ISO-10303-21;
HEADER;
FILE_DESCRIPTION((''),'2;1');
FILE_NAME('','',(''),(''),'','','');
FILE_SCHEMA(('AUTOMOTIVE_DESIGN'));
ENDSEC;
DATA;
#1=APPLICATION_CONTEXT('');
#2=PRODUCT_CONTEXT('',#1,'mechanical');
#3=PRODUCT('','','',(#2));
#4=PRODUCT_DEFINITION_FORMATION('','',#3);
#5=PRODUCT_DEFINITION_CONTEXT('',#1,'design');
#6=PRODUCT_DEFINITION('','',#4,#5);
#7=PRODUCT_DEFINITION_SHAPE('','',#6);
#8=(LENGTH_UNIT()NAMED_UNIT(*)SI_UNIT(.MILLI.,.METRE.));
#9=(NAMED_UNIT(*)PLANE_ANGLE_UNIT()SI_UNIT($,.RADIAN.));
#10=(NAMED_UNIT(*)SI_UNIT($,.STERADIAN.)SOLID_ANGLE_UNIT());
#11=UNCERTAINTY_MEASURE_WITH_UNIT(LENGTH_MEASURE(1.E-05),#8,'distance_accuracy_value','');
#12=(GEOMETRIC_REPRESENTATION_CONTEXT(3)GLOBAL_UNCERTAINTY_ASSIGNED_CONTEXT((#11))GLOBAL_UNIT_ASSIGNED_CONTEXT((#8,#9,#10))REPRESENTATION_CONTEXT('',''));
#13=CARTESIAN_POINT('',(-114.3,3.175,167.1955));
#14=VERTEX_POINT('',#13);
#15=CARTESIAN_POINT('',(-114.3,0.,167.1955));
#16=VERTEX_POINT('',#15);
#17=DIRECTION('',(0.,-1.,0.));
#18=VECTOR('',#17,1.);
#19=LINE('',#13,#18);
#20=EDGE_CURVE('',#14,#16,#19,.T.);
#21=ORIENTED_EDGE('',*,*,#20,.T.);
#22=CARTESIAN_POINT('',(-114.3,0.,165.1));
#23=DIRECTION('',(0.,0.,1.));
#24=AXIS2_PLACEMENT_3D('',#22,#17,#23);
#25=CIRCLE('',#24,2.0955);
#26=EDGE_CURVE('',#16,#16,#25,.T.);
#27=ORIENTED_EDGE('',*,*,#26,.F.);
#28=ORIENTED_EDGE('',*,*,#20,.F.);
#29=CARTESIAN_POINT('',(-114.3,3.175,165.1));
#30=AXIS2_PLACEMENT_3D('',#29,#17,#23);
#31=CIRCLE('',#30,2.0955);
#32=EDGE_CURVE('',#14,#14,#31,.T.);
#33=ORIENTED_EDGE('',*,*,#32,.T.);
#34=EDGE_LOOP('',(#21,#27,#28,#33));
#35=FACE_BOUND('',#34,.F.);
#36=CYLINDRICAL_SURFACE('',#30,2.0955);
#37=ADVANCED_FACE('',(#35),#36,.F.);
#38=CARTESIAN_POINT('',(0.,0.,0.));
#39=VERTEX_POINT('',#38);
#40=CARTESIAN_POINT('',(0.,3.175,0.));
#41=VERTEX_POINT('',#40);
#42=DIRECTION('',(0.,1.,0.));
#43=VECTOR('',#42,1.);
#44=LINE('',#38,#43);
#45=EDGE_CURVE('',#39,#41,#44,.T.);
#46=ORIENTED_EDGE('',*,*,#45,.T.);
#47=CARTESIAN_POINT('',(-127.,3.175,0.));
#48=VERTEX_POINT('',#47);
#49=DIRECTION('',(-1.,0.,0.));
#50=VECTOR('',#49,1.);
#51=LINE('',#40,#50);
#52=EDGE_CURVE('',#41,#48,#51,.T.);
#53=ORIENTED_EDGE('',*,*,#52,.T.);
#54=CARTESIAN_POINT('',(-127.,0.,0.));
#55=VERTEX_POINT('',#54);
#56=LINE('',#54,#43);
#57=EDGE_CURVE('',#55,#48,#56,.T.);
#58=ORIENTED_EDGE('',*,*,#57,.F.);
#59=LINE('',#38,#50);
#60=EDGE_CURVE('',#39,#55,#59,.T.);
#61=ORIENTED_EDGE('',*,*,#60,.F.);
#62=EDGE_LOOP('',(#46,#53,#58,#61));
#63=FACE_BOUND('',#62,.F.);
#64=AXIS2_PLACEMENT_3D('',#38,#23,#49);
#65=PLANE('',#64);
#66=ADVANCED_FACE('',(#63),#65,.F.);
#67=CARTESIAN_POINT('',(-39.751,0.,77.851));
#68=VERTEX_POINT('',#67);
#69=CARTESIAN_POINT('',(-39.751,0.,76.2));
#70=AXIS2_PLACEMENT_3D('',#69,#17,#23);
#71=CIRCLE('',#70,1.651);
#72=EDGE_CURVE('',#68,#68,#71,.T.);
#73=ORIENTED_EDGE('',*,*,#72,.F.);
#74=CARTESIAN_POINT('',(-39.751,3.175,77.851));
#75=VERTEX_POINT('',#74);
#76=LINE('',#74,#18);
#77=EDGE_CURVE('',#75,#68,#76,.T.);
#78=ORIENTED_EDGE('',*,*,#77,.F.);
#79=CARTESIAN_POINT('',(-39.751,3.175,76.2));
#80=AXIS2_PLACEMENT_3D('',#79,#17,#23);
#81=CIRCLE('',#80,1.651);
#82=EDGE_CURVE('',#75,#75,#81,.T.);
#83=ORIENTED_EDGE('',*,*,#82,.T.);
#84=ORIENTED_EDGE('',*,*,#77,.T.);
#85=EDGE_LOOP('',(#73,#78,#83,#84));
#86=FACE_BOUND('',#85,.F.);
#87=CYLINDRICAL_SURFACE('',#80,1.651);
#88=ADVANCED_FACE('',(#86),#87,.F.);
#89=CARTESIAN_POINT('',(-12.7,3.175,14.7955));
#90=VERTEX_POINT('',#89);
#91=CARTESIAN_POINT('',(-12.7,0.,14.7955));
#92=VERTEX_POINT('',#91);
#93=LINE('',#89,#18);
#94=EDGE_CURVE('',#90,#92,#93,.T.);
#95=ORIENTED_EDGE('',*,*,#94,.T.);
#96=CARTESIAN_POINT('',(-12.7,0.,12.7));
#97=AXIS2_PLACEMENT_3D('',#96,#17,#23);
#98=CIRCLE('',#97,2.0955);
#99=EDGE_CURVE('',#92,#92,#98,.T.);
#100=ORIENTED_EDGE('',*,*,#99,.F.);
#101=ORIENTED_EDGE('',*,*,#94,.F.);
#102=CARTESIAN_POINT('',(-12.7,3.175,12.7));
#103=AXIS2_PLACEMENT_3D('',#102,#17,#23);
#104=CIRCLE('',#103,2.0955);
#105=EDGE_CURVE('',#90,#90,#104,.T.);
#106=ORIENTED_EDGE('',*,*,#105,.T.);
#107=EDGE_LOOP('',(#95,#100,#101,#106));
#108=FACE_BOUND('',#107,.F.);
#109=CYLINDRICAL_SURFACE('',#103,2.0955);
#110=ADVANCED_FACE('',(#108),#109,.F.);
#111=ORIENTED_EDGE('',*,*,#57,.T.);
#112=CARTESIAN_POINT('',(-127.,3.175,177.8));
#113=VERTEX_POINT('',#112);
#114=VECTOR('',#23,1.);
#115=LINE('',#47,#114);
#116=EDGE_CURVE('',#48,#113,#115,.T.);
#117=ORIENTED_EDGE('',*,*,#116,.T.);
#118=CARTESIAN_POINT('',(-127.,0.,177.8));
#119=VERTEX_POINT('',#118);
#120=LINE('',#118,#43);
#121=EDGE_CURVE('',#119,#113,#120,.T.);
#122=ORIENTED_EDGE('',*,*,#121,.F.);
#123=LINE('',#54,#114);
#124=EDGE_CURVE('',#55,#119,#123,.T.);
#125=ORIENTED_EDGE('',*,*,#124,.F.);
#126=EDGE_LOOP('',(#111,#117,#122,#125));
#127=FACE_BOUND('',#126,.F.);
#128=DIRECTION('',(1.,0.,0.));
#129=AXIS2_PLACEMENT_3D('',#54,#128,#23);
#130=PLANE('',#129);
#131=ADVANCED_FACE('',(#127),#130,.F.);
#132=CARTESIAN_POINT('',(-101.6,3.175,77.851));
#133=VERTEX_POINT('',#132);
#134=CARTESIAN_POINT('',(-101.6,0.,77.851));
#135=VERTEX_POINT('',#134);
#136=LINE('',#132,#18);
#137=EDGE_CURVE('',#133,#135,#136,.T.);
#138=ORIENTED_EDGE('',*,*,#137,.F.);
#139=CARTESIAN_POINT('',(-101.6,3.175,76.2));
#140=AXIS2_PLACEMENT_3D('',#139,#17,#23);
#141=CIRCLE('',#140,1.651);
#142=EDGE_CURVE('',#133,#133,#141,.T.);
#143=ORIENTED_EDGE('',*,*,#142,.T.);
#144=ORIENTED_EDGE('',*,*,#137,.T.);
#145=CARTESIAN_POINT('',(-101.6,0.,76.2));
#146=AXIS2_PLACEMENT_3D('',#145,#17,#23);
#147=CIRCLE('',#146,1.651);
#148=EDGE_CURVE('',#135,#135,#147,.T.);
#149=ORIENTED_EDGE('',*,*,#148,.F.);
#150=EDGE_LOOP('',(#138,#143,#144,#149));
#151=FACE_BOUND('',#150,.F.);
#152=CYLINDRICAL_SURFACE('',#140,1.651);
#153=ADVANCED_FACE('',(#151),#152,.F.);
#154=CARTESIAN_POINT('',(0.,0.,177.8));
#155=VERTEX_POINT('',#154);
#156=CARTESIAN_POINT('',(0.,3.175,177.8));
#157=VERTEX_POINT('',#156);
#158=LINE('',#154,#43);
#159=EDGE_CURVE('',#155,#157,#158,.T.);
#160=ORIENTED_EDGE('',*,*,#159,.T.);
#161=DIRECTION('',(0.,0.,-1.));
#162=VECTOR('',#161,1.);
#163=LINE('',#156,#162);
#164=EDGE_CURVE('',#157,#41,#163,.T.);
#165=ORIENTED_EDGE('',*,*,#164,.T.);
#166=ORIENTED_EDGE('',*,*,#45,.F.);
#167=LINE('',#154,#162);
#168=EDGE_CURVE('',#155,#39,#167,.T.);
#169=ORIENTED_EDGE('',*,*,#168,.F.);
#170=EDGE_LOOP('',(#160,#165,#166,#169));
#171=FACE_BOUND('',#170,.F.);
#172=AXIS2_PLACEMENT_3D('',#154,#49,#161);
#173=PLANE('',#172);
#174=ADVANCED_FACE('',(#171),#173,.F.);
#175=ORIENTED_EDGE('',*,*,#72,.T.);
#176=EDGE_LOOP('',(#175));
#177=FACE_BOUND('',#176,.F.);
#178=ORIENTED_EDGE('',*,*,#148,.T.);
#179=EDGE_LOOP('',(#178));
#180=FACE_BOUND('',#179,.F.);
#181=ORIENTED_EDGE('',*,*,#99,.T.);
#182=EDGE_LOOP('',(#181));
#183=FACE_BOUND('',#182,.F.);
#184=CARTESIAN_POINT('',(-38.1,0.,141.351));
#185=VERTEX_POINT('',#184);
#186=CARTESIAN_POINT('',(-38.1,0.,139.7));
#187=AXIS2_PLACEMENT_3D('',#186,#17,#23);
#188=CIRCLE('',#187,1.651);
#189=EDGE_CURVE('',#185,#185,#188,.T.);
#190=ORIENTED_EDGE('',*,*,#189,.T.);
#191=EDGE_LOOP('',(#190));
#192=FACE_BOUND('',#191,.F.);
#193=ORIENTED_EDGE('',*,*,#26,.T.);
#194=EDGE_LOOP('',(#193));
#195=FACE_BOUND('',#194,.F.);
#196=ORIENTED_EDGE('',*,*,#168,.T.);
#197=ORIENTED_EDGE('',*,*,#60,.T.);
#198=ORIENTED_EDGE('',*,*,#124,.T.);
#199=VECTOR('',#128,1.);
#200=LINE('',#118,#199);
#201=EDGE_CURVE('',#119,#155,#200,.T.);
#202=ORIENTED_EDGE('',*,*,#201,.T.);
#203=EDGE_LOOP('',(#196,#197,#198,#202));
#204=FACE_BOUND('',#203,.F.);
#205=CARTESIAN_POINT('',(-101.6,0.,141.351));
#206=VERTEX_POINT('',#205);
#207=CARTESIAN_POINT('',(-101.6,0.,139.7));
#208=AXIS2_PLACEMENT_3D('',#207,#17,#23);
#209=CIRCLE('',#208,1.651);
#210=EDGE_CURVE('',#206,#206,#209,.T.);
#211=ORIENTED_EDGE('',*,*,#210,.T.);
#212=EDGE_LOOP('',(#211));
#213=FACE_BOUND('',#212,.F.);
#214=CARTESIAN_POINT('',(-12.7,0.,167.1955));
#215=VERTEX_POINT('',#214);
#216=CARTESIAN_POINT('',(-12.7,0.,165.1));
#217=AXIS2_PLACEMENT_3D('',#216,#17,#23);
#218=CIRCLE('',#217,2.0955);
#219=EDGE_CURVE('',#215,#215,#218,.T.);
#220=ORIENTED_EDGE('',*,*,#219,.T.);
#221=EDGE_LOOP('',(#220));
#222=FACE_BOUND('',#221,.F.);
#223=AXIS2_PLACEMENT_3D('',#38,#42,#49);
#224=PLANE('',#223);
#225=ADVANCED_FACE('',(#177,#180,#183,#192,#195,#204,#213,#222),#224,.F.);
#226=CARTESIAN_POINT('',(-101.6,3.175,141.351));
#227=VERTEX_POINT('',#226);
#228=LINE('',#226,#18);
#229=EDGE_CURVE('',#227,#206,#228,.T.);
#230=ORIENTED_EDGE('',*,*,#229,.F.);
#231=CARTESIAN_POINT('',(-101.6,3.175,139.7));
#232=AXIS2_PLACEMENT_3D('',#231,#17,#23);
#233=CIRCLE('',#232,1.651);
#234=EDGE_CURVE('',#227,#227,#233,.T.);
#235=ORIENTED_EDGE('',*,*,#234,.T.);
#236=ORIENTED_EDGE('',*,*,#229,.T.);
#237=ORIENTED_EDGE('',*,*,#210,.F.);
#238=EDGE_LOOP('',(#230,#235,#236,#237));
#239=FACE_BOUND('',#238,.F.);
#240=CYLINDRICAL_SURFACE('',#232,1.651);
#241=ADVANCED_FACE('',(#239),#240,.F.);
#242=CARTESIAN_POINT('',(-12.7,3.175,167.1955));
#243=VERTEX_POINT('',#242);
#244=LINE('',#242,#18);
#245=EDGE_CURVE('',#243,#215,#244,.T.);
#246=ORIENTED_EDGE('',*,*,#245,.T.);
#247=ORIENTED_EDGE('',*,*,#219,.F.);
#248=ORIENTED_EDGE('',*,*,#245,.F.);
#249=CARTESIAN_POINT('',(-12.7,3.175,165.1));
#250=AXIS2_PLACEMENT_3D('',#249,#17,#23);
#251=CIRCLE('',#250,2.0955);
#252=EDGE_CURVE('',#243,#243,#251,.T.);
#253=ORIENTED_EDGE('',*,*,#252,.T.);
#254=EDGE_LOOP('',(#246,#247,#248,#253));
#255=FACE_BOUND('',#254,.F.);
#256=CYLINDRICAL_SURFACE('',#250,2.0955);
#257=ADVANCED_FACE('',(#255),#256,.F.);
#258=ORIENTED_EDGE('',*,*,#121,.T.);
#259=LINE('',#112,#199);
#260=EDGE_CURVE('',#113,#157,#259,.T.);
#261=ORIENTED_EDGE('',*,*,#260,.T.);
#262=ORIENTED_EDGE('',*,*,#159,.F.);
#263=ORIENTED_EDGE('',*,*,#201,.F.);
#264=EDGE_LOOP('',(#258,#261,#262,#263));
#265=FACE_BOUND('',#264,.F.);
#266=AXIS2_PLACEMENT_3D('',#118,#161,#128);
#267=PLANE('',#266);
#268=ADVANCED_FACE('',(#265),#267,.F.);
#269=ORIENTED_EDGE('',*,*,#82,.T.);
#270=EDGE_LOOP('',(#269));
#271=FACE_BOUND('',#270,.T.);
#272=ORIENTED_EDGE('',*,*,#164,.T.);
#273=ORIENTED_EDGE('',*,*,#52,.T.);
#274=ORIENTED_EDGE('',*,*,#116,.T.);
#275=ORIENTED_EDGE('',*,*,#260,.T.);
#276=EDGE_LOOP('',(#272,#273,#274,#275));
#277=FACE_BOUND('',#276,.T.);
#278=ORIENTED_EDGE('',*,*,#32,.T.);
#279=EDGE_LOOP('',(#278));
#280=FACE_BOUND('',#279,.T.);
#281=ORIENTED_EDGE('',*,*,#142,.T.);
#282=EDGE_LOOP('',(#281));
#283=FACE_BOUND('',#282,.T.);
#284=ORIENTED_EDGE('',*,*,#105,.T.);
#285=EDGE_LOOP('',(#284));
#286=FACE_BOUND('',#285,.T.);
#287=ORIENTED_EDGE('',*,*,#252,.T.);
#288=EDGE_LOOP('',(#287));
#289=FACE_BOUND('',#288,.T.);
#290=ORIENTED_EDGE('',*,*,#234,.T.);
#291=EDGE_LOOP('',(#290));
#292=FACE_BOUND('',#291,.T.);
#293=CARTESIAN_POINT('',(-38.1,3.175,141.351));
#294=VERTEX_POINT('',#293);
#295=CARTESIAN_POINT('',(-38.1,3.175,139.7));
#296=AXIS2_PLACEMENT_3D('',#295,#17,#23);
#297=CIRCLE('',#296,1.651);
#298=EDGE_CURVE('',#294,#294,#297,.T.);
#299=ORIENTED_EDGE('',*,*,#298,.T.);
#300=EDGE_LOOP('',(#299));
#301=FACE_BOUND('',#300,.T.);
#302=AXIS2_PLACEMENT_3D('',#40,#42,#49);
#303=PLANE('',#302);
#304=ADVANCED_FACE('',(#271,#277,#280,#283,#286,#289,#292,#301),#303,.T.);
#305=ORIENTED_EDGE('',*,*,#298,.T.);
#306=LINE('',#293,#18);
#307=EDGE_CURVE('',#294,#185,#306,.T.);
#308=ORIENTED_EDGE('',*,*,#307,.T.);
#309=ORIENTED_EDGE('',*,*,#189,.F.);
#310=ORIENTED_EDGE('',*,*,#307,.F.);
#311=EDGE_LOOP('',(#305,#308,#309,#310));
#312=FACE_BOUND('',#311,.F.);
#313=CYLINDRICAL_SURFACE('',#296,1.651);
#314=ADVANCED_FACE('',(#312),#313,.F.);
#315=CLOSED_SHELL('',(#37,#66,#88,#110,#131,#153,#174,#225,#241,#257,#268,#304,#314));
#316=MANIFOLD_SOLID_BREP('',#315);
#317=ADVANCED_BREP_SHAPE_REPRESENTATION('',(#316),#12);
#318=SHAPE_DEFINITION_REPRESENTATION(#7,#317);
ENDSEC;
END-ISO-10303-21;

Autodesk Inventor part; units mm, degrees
ref_plane "YZ Plane" through (0, 0, 0) normal (1, 0, 0) x (0, 1, 0)
ref_plane "XZ Plane" through (0, 0, 0) normal (0, 1, 0) x (-1, 0, 0)
ref_plane "XY Plane" through (0, 0, 0) normal (0, 0, 1) x (1, 0, 0)
sketch "Base" plane through (0, 0, 0) normal (0, 1, 0) x (-1, 0, 0)
  line L0 (0, 0) -> (127, 0)
  line L1 (127, 0) -> (127, 177.8)
  line L2 (127, 177.8) -> (0, 177.8)
  line L3 (0, 177.8) -> (0, 0)
  dimension "d7" = 127
  dimension "d8" = 177.8
extrude "Base 1/8\"" add sketch "Base" along normal blind 3.175
sketch "TopLayer" plane through (0, 3.175, 0) normal (0, 1, 0) x (1, 0, 0)
  point P0 (-114.3, -165.1)
  point P1 (-12.7, -165.1)
  point P2 (-12.7, -12.7)
hole "TopLayerHoles" at (-114.3, 3.175, 165.1) at (-12.7, 3.175, 165.1) at (-12.7, 3.175, 12.7) direction (0, -1, 0) diameter 4.191 end through all
sketch "Controller" plane through (0, 3.175, 0) normal (0, 1, 0) x (1, 0, 0)
  line L0 (0, 0) -> (-127, 0) projected
  line L1 (-127, 0) -> (-127, -177.8) projected
  line L2 (-127, -152.4) -> (-25.4, -152.4) construction
  line L3 (-127, -152.4) -> (-25.4, -152.4) construction
  line L4 (-25.4, -152.4) -> (-25.4, 0) construction
  line L5 (-140.6178, -177.8) -> (-108.8678, -177.8) construction
  line L6 (-31.75, -146.05) -> (-107.95, -146.05) construction
  line L7 (-107.95, -146.05) -> (-107.95, -69.85) construction
  line L8 (-107.95, -69.85) -> (-31.75, -69.85) construction
  line L9 (-31.75, -69.85) -> (-31.75, -146.05) construction
  line L10 (-31.75, -146.05) -> (-38.1, -146.05) construction
  line L11 (-38.1, -146.05) -> (-38.1, -139.7) construction
  line L12 (-38.1, -139.7) -> (-31.75, -139.7) construction
  line L13 (-31.75, -139.7) -> (-31.75, -146.05) construction
  line L14 (-107.95, -69.85) -> (-101.6, -69.85) construction
  line L15 (-101.6, -69.85) -> (-101.6, -76.2) construction
  line L16 (-101.6, -76.2) -> (-107.95, -76.2) construction
  line L17 (-107.95, -76.2) -> (-107.95, -69.85) construction
  circle A0 centre (-38.1, -139.7) radius 1.651
  circle A1 centre (-101.6, -139.7) radius 1.651
  circle A2 centre (-101.6, -76.2) radius 1.651
  circle A3 centre (-39.751, -76.2) radius 1.651
  dimension "d36" = 76.2
  dimension "d37" = 76.2
  dimension "d38" = 6.35
  dimension "d39" = 6.35
  dimension "d40" = 6.35
  dimension "d41" = 6.35
  dimension "d42" = 3.302
  dimension "d43" = 3.302
  dimension "d44" = 3.302
  dimension "d45" = 3.302
hole "ControllerHoles" at (-38.1, 3.175, 139.7) at (-39.751, 3.175, 76.2) at (-101.6, 3.175, 76.2) at (-101.6, 3.175, 139.7) direction (0, -1, 0) diameter 3.302 end through all
properties part number "bottomLayer"
